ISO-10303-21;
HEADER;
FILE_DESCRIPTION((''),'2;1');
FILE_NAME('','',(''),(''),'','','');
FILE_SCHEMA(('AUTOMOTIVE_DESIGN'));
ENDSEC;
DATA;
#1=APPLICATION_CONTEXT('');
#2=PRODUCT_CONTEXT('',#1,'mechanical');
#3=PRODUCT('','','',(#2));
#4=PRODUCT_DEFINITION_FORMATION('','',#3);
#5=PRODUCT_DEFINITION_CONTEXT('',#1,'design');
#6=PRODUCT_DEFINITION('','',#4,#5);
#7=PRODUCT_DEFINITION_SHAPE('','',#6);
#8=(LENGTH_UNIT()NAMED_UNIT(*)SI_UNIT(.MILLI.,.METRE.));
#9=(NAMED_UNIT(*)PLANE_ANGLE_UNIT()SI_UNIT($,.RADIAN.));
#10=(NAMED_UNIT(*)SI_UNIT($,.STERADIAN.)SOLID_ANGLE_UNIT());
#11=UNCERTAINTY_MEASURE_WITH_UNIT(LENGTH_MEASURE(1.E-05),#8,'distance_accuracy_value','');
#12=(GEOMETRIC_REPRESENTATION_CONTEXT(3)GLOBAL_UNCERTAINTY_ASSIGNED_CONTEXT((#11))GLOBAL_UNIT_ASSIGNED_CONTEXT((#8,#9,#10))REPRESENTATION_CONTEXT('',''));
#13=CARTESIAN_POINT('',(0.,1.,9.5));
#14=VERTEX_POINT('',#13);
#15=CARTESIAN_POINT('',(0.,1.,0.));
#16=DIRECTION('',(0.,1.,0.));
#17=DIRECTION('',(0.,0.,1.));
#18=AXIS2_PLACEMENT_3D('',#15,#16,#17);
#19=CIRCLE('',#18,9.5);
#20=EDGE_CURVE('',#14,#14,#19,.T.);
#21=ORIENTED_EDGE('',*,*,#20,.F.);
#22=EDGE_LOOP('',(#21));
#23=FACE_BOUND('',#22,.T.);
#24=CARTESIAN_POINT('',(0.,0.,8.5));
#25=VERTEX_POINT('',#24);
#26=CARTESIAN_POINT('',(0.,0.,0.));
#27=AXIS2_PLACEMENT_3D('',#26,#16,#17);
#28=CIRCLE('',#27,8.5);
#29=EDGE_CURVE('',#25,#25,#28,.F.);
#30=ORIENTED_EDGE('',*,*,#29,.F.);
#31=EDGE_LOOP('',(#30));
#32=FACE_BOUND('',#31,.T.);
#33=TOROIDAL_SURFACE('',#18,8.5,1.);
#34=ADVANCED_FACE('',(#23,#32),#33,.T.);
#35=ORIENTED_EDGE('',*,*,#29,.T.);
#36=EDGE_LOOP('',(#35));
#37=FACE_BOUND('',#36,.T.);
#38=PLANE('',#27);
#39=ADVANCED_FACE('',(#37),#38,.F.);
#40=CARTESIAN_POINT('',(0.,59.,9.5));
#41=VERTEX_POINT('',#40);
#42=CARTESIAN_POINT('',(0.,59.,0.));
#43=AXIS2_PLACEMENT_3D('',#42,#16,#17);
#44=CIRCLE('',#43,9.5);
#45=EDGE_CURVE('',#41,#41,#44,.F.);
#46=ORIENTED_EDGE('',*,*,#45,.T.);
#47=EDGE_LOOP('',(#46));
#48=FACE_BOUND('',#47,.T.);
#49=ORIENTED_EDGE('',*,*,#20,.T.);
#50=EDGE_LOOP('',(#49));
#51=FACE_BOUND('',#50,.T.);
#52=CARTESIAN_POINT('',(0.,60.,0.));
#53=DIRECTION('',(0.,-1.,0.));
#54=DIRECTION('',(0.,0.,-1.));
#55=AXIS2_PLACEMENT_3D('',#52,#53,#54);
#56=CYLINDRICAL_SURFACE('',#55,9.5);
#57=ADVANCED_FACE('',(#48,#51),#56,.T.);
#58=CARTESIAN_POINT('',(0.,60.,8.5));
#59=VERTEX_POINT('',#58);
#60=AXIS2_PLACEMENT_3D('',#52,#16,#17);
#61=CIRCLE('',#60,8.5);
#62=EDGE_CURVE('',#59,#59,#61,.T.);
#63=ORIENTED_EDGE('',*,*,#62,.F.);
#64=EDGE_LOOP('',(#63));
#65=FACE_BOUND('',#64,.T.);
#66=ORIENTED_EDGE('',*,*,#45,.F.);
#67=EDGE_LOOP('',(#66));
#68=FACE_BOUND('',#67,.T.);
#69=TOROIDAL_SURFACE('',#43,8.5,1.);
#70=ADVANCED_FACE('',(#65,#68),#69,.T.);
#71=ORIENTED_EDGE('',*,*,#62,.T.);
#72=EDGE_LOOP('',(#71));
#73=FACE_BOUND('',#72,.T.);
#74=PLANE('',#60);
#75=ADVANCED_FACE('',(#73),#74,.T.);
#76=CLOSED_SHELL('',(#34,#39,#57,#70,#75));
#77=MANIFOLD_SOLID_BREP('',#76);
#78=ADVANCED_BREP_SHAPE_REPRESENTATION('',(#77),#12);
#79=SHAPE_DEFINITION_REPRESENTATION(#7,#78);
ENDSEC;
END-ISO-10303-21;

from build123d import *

# Parameters (mm, degrees)
SKETCH_1_R      = 9.5
EXTRUDE_1_DEPTH = 60
FILLET_1_R      = 1


with BuildPart() as part:
    # 草图1 → 凸台-拉伸1 (new body)
    with BuildSketch(Plane(origin=(0, 0, 0), x_dir=(1, 0, 0), z_dir=(0, 1, 0))):
        with Locations(Location((0, 0, 0), (0, 0, 270))):
            Circle(SKETCH_1_R)
    extrude(amount=EXTRUDE_1_DEPTH)

    # 圆角1
    fillet_1_edges = [part.edges().sort_by_distance(p)[0] for p in [
        (0, 0, -9.5),
        (0, 60, -9.5),
    ]]
    fillet(fillet_1_edges, radius=FILLET_1_R)


solid = part.part
